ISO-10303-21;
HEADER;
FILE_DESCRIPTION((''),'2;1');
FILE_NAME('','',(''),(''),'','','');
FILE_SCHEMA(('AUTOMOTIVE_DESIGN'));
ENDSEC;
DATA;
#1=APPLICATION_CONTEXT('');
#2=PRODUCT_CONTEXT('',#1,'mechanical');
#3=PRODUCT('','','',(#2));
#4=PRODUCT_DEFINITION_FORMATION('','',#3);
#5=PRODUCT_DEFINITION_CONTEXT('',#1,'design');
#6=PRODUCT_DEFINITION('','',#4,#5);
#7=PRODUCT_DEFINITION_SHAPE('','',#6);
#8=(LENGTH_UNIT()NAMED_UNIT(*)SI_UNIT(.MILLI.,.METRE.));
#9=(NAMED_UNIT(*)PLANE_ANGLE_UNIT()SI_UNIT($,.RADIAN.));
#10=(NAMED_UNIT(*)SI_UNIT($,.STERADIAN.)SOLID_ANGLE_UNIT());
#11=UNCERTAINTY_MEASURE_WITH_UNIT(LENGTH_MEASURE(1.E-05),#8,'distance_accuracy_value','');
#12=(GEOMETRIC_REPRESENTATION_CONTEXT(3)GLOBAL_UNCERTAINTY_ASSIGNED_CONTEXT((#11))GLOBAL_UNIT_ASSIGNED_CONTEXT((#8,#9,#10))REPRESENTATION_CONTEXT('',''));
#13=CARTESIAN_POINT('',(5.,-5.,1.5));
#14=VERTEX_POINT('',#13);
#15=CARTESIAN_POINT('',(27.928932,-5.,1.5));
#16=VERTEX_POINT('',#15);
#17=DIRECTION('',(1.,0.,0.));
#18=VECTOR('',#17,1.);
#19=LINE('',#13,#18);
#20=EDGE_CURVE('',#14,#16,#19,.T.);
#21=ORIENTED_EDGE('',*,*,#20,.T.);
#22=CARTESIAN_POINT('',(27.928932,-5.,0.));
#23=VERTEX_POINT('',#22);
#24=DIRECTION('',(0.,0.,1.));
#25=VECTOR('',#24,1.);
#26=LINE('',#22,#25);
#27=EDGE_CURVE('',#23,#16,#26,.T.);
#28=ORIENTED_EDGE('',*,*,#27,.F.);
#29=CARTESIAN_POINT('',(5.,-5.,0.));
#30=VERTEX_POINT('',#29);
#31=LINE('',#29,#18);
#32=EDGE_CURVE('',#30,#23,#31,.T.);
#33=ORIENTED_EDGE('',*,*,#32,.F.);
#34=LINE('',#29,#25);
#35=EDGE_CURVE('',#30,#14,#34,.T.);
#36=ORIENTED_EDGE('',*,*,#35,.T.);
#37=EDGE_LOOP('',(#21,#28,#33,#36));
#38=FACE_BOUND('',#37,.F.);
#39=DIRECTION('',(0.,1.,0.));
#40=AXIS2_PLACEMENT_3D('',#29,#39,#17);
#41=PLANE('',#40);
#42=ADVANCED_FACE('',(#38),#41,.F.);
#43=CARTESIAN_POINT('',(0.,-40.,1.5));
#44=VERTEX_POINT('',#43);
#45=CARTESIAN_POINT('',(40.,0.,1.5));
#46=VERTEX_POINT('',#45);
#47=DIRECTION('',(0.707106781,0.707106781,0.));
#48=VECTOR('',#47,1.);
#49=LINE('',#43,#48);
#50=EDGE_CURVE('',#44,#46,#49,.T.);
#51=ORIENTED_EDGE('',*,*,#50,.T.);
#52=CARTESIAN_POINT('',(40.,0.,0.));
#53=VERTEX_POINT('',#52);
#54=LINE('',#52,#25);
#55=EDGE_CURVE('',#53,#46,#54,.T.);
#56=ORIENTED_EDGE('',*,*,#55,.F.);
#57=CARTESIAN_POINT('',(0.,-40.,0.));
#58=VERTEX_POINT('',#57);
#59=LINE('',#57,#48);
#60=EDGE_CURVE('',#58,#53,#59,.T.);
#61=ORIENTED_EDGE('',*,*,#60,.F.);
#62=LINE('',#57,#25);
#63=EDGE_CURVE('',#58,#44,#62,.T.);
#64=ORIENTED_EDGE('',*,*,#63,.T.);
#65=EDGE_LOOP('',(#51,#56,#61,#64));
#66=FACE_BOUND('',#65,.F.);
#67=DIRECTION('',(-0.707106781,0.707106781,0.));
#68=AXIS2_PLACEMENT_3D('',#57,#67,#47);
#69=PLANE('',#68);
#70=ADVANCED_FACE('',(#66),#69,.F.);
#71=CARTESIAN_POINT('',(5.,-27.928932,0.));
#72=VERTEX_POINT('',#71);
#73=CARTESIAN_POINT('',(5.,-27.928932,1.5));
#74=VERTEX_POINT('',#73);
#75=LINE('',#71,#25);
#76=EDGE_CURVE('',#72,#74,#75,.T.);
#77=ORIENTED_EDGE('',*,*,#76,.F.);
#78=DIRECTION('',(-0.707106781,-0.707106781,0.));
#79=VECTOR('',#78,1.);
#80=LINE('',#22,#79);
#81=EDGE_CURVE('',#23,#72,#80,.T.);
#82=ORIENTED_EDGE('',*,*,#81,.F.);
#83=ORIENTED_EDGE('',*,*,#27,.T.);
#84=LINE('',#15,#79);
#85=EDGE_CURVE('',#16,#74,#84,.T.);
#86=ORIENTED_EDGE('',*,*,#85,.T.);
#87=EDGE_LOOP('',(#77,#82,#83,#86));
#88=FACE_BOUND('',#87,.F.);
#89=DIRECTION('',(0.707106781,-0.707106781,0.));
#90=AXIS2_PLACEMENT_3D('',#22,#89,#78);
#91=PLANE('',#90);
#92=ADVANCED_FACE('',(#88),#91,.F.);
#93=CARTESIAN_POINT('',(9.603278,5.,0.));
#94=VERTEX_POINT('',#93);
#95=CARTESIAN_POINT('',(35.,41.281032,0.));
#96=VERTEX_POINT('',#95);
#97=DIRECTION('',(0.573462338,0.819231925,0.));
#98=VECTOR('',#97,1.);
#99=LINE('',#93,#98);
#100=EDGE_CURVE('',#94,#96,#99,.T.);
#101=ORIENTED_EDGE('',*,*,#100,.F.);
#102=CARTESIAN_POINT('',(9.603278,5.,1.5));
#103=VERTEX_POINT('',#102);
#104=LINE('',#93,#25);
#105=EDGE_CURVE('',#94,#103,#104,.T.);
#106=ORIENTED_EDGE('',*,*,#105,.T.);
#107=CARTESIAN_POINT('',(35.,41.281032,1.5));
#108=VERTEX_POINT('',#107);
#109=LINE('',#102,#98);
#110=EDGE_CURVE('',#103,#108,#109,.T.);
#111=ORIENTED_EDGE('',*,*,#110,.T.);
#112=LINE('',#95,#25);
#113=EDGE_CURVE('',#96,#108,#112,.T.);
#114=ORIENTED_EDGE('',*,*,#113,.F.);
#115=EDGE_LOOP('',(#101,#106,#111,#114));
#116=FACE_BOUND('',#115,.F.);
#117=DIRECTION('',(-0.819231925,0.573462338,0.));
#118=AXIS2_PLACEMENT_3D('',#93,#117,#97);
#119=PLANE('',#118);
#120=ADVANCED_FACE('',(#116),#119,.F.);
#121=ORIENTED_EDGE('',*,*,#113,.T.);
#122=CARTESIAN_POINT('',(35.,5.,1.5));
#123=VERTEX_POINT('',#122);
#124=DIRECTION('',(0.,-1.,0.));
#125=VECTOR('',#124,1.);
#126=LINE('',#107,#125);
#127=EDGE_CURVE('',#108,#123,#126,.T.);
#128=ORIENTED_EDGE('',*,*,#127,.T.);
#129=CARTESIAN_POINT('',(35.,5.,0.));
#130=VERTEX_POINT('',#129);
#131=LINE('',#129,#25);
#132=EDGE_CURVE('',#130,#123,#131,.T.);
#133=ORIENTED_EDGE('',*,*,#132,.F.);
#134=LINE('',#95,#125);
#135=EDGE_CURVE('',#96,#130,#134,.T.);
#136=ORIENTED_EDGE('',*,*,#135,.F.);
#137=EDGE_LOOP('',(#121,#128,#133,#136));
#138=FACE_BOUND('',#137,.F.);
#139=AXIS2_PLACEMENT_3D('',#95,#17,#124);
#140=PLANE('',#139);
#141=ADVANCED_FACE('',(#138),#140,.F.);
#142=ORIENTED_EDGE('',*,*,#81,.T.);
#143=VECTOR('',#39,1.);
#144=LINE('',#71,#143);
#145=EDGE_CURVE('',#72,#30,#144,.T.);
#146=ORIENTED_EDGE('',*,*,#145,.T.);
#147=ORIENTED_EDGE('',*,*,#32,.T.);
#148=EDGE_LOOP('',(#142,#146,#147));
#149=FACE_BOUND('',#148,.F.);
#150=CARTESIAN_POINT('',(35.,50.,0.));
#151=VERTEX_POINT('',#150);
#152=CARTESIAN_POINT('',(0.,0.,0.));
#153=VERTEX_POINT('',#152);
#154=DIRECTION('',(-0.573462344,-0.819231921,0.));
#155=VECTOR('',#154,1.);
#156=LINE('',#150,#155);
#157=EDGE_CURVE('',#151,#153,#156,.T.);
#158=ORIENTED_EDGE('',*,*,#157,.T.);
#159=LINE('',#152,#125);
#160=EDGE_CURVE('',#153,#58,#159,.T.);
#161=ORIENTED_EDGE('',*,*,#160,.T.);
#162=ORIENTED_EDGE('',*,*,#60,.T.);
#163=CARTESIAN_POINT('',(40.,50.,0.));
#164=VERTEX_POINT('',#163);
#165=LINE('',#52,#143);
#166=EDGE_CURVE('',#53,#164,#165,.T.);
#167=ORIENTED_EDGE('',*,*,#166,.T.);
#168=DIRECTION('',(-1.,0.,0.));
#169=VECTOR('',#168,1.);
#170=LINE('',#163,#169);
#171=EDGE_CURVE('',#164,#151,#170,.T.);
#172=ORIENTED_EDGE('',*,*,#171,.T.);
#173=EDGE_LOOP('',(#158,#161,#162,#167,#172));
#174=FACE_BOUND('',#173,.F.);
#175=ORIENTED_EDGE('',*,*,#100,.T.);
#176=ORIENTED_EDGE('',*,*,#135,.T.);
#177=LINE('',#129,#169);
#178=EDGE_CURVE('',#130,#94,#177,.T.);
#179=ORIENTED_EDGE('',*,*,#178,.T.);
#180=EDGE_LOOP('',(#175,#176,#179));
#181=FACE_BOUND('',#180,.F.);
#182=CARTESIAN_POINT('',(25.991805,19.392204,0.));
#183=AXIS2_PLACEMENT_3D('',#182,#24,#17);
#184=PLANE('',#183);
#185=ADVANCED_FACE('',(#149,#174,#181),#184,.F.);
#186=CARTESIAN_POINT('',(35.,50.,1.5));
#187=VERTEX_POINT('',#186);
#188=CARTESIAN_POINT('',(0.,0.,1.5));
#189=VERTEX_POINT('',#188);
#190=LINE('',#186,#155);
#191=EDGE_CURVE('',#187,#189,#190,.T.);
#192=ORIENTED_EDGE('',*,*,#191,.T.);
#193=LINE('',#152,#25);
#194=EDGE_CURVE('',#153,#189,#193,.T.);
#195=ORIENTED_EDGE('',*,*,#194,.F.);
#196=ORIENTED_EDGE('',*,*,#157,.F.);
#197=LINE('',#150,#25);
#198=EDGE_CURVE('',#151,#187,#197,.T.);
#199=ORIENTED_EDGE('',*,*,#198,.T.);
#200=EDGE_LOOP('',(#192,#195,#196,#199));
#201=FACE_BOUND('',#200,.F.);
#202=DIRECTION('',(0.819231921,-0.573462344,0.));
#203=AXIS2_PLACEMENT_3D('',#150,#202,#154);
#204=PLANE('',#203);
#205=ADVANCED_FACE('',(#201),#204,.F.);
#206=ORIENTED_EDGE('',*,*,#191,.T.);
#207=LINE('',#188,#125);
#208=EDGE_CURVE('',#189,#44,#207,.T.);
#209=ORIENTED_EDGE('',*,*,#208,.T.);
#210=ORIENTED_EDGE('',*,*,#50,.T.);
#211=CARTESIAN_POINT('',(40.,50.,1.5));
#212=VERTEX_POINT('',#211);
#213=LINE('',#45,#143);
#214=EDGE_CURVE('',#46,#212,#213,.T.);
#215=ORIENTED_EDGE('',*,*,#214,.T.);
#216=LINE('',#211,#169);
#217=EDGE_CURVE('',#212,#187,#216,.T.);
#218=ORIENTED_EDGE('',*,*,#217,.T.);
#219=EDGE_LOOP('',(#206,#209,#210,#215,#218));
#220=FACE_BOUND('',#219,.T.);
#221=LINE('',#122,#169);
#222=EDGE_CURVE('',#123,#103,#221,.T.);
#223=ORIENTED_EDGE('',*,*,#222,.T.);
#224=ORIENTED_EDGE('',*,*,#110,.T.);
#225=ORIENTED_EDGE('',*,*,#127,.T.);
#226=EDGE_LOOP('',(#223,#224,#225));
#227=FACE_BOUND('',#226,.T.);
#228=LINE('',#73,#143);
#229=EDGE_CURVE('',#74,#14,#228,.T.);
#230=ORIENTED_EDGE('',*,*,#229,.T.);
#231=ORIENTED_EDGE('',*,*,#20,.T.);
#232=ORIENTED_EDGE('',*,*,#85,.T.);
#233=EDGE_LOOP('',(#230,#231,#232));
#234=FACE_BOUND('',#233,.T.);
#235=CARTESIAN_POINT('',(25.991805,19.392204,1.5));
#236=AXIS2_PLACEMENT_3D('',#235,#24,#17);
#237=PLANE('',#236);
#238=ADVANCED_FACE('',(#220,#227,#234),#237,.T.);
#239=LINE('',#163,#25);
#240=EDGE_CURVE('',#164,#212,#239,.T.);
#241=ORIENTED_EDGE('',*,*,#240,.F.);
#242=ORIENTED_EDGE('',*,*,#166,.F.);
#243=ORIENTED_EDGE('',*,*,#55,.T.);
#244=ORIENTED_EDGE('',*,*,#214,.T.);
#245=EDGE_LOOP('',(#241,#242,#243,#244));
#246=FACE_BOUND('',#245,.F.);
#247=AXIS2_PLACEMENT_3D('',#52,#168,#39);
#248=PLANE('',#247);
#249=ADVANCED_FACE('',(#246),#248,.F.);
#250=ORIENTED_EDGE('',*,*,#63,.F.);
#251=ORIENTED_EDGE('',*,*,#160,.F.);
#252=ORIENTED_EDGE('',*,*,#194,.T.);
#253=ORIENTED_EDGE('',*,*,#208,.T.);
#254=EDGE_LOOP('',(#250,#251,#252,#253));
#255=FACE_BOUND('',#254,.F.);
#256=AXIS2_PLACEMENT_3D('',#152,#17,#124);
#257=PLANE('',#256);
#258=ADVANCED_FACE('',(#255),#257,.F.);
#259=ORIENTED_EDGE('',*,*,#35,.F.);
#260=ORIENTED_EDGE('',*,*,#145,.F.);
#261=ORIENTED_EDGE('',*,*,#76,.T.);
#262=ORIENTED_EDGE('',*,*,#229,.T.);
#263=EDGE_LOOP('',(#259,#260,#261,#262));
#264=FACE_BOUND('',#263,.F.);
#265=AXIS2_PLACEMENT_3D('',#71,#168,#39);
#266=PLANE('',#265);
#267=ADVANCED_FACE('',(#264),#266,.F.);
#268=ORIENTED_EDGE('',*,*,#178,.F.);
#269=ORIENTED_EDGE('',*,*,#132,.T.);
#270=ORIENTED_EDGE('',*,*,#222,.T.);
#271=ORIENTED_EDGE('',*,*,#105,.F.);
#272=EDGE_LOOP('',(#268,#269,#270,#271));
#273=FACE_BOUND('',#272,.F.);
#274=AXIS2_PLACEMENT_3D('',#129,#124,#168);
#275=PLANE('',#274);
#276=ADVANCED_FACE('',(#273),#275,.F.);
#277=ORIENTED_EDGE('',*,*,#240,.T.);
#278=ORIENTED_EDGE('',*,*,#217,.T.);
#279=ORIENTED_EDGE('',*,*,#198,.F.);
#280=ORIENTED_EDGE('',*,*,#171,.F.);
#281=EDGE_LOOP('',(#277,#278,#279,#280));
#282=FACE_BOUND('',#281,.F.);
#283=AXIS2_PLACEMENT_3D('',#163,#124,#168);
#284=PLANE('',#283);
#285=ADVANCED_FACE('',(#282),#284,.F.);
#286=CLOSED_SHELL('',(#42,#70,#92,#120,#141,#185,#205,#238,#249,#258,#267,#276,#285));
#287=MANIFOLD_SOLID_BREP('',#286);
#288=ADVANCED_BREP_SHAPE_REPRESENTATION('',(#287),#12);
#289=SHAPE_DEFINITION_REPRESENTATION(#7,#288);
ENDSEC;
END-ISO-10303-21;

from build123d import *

# Parameters (mm, degrees)
F1_DEPTH = 1.5


with BuildPart() as f1:
    # F0 (on Top) → F1 (new body)
    with BuildSketch(Plane.XY):
        Polygon((35, 50), (0, 0), (40, 0), (40, 50), align=None)
        Polygon((9.603278, 5), (35, 41.281032), (35, 5), align=None, mode=Mode.SUBTRACT)
        Polygon((40, 0), (0, 0), (0, -40), align=None)
        Polygon((5, -27.928932), (5, -5), (27.928932, -5), align=None, mode=Mode.SUBTRACT)
    extrude(amount=F1_DEPTH)


solid = f1.part
